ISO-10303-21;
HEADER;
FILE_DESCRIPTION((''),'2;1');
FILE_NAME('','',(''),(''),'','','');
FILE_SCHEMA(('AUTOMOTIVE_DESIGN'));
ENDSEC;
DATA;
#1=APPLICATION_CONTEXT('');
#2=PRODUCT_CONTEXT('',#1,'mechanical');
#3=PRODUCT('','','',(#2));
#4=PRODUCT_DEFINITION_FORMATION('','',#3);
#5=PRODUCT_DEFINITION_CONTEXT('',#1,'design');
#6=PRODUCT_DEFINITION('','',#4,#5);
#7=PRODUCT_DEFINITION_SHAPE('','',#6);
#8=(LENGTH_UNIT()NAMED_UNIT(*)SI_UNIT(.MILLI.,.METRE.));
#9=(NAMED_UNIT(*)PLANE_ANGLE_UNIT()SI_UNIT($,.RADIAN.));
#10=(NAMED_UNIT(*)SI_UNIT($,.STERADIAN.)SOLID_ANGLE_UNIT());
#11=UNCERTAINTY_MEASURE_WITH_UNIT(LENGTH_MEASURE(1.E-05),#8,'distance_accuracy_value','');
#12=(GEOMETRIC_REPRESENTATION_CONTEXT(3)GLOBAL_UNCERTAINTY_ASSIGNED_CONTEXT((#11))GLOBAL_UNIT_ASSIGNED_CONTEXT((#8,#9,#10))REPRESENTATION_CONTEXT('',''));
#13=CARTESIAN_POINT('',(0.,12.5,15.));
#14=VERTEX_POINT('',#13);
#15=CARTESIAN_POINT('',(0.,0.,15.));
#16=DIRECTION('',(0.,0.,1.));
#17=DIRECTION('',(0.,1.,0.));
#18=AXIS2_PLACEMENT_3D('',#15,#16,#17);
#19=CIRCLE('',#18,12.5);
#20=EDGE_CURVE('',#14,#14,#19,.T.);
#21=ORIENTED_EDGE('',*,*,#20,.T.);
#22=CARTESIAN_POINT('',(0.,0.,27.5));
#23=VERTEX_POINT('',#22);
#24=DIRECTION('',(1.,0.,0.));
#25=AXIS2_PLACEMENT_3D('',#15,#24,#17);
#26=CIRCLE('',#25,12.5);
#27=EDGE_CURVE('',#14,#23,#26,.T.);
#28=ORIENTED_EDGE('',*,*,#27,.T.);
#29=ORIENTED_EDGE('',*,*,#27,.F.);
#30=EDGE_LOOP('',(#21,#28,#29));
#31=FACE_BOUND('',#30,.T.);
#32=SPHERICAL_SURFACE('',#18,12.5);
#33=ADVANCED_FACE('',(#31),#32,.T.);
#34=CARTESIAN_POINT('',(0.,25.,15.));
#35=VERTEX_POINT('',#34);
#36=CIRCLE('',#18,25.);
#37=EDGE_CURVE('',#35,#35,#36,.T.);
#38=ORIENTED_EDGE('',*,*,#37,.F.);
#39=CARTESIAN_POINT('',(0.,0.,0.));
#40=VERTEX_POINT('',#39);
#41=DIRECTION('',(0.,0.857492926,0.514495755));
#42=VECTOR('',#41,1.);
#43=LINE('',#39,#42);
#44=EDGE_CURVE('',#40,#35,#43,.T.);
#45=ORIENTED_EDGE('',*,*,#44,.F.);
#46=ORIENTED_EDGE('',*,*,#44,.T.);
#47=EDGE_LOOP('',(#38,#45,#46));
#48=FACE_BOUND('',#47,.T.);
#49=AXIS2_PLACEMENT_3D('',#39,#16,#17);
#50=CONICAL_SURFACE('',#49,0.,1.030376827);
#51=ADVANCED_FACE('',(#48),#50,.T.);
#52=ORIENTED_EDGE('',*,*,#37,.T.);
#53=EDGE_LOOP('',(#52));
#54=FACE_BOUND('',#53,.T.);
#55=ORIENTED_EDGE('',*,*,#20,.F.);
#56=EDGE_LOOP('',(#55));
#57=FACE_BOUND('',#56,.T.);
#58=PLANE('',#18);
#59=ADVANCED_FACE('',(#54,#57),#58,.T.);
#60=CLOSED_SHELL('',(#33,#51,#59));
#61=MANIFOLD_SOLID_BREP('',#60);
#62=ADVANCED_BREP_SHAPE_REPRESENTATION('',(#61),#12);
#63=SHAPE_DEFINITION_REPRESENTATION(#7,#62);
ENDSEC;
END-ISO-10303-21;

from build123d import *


with BuildPart() as f1:
    # F0 (on Right) → F1 (revolve)
    with BuildSketch(Plane.YZ):
        Polygon((0, 15), (0, 0), (25, 15), align=None)
    revolve(axis=Axis((0, 0, 7.5), (0, 0, 1)))

    # F2 (on Right) → F3 (revolve)
    with BuildSketch(Plane.YZ):
        with BuildLine():
            Line((0, 27.5), (0, 2.5))
            ThreePointArc((0, 2.5), (8.8388347648, 6.1611652352), (12.5, 15))
            ThreePointArc((12.5, 15), (8.8388347648, 23.8388347648), (0, 27.5))
        make_face()
    revolve(axis=Axis((0, 0, 24.7500017285), (0, 0, 1)))


solid = f1.part
